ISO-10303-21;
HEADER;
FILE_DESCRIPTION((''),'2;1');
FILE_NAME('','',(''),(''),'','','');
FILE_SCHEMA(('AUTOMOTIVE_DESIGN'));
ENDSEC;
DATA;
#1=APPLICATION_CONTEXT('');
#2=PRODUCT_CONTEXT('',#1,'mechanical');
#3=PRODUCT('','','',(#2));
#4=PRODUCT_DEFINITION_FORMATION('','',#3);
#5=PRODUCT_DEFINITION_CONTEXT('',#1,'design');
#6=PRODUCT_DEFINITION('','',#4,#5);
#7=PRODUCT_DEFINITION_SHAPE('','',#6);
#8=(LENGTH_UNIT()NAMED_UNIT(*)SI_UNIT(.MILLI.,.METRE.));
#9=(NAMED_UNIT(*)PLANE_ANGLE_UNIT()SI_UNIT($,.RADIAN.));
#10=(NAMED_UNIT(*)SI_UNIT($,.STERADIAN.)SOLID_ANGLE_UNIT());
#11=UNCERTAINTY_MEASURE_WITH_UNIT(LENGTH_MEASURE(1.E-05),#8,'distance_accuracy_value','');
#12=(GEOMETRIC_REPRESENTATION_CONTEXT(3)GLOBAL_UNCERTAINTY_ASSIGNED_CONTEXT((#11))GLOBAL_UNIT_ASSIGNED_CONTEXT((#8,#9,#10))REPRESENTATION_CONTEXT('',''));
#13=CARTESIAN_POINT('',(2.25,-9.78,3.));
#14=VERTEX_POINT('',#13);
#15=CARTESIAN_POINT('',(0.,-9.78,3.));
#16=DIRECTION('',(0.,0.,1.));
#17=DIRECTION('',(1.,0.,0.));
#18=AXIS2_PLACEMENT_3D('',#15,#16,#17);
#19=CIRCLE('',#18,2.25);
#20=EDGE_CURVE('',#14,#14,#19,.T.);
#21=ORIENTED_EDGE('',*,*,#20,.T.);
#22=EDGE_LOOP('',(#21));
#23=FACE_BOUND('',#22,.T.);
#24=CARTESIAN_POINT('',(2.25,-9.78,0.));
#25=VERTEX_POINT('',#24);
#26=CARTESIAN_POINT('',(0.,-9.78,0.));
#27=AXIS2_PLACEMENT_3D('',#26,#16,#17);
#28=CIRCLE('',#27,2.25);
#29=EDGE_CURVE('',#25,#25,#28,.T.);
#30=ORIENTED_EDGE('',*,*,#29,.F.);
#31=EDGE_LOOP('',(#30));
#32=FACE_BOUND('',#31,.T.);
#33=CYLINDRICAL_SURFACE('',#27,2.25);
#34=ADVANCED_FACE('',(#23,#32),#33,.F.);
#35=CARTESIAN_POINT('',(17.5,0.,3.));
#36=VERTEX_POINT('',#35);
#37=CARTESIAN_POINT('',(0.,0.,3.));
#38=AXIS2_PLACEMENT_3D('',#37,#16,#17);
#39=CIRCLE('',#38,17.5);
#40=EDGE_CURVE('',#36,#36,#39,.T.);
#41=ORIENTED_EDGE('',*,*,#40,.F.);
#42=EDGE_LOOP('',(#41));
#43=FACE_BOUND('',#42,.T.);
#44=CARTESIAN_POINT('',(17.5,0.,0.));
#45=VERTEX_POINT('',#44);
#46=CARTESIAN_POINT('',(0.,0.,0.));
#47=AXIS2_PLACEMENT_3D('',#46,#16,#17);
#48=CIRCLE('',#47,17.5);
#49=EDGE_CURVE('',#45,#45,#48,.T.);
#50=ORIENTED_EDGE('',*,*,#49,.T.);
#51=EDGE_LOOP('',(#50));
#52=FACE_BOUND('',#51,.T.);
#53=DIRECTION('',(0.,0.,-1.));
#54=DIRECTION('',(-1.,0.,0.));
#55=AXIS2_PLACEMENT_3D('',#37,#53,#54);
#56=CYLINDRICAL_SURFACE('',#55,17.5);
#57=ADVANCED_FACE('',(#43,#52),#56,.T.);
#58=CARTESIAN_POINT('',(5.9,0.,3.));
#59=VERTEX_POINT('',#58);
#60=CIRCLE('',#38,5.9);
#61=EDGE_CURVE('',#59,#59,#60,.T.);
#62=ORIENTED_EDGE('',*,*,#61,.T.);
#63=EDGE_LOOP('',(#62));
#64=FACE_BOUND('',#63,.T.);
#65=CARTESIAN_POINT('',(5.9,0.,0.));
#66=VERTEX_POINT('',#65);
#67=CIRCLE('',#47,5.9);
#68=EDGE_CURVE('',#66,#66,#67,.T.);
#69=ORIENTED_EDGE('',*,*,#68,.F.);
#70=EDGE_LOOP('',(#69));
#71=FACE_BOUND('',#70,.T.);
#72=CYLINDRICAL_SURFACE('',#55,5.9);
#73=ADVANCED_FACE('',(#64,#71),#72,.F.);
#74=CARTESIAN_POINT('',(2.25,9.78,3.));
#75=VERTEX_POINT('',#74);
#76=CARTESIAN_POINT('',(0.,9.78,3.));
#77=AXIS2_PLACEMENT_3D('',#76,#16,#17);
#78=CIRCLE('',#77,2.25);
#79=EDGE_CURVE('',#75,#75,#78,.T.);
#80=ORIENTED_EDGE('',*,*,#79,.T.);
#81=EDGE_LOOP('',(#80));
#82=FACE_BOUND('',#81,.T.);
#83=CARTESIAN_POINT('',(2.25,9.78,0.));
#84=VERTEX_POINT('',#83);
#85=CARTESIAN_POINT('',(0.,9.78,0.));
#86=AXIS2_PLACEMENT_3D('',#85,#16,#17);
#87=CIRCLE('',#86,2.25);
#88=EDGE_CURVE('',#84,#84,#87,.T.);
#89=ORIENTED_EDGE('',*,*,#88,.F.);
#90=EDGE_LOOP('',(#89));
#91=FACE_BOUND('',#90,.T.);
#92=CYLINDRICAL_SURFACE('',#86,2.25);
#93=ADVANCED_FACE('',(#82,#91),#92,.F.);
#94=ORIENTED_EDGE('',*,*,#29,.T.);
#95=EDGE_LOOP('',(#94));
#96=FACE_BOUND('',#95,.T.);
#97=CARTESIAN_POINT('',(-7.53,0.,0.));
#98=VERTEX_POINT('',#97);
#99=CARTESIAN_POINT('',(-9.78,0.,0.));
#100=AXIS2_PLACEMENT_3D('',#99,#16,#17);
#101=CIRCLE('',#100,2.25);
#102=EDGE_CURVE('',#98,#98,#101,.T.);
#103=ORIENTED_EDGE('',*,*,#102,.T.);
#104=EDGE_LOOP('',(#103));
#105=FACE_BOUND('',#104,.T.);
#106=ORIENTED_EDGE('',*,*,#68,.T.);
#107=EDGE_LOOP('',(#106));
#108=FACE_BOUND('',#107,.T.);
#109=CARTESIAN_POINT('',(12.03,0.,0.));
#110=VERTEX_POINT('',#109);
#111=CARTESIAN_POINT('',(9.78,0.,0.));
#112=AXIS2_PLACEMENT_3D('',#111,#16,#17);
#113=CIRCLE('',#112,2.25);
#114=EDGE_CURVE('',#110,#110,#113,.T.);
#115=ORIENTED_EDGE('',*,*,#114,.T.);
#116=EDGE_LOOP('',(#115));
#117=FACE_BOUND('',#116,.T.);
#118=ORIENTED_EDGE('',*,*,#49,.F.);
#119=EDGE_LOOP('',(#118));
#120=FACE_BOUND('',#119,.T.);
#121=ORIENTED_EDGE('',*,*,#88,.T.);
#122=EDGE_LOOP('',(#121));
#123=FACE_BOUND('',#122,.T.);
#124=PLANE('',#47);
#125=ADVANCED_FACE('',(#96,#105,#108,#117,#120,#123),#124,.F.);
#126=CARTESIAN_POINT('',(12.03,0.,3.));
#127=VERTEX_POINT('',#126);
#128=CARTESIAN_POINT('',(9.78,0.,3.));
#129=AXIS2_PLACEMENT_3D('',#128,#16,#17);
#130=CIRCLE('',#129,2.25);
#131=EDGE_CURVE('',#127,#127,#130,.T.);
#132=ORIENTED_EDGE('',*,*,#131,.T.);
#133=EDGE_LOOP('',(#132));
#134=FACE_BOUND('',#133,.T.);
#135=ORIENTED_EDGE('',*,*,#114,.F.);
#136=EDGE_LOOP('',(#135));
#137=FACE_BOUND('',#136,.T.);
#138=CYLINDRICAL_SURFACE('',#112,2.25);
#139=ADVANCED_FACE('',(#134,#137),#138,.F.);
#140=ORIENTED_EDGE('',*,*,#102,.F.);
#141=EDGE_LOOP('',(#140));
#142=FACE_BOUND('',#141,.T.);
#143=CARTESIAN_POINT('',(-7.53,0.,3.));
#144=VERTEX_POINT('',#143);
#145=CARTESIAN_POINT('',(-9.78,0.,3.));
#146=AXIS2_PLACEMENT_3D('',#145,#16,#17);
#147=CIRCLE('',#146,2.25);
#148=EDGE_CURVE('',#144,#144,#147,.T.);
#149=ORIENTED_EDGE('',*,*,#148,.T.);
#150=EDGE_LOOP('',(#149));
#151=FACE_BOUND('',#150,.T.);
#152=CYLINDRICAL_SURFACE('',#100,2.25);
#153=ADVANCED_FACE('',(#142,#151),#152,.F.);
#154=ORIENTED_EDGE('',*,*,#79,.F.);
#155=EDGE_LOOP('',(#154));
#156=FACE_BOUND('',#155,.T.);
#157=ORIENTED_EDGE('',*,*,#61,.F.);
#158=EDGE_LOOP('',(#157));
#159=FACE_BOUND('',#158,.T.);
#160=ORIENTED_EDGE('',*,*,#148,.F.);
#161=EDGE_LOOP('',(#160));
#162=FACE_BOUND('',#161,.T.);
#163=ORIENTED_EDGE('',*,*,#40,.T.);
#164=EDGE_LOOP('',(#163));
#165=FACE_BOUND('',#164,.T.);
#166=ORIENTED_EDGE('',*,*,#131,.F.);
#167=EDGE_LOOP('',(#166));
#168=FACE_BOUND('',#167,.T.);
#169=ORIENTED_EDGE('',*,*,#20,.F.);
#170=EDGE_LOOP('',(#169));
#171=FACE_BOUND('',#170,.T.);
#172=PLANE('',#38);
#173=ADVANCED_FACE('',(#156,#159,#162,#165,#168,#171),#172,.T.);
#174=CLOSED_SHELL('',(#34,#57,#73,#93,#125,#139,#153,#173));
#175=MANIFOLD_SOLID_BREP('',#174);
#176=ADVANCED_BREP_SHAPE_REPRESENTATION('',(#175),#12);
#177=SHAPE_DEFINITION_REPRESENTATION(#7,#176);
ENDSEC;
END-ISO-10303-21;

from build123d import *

# Parameters (mm, degrees)
SKETCH1_R           = 17.5
SKETCH1_R_2         = 5.9
BOSS_EXTRUDE1_DEPTH = 3
SKETCH3_R           = 2.25
CUT_EXTRUDE2_DEPTH  = 3


with BuildPart() as part:
    # Sketch1 → Boss-Extrude1 (new body)
    with BuildSketch(Plane.XY):
        Circle(SKETCH1_R)
        Circle(SKETCH1_R_2, mode=Mode.SUBTRACT)
    extrude(amount=BOSS_EXTRUDE1_DEPTH)

    # Sketch3 → Cut-Extrude2 (cut)
    with BuildSketch(Plane.XY.offset(3)):
        with Locations((0, 9.78)):
            Circle(SKETCH3_R)
        with Locations((9.78, 0)):
            Circle(SKETCH3_R)
        with Locations((0, -9.78)):
            Circle(SKETCH3_R)
        with Locations((-9.78, 0)):
            Circle(SKETCH3_R)
    extrude(amount=-CUT_EXTRUDE2_DEPTH, mode=Mode.SUBTRACT)


solid = part.part
